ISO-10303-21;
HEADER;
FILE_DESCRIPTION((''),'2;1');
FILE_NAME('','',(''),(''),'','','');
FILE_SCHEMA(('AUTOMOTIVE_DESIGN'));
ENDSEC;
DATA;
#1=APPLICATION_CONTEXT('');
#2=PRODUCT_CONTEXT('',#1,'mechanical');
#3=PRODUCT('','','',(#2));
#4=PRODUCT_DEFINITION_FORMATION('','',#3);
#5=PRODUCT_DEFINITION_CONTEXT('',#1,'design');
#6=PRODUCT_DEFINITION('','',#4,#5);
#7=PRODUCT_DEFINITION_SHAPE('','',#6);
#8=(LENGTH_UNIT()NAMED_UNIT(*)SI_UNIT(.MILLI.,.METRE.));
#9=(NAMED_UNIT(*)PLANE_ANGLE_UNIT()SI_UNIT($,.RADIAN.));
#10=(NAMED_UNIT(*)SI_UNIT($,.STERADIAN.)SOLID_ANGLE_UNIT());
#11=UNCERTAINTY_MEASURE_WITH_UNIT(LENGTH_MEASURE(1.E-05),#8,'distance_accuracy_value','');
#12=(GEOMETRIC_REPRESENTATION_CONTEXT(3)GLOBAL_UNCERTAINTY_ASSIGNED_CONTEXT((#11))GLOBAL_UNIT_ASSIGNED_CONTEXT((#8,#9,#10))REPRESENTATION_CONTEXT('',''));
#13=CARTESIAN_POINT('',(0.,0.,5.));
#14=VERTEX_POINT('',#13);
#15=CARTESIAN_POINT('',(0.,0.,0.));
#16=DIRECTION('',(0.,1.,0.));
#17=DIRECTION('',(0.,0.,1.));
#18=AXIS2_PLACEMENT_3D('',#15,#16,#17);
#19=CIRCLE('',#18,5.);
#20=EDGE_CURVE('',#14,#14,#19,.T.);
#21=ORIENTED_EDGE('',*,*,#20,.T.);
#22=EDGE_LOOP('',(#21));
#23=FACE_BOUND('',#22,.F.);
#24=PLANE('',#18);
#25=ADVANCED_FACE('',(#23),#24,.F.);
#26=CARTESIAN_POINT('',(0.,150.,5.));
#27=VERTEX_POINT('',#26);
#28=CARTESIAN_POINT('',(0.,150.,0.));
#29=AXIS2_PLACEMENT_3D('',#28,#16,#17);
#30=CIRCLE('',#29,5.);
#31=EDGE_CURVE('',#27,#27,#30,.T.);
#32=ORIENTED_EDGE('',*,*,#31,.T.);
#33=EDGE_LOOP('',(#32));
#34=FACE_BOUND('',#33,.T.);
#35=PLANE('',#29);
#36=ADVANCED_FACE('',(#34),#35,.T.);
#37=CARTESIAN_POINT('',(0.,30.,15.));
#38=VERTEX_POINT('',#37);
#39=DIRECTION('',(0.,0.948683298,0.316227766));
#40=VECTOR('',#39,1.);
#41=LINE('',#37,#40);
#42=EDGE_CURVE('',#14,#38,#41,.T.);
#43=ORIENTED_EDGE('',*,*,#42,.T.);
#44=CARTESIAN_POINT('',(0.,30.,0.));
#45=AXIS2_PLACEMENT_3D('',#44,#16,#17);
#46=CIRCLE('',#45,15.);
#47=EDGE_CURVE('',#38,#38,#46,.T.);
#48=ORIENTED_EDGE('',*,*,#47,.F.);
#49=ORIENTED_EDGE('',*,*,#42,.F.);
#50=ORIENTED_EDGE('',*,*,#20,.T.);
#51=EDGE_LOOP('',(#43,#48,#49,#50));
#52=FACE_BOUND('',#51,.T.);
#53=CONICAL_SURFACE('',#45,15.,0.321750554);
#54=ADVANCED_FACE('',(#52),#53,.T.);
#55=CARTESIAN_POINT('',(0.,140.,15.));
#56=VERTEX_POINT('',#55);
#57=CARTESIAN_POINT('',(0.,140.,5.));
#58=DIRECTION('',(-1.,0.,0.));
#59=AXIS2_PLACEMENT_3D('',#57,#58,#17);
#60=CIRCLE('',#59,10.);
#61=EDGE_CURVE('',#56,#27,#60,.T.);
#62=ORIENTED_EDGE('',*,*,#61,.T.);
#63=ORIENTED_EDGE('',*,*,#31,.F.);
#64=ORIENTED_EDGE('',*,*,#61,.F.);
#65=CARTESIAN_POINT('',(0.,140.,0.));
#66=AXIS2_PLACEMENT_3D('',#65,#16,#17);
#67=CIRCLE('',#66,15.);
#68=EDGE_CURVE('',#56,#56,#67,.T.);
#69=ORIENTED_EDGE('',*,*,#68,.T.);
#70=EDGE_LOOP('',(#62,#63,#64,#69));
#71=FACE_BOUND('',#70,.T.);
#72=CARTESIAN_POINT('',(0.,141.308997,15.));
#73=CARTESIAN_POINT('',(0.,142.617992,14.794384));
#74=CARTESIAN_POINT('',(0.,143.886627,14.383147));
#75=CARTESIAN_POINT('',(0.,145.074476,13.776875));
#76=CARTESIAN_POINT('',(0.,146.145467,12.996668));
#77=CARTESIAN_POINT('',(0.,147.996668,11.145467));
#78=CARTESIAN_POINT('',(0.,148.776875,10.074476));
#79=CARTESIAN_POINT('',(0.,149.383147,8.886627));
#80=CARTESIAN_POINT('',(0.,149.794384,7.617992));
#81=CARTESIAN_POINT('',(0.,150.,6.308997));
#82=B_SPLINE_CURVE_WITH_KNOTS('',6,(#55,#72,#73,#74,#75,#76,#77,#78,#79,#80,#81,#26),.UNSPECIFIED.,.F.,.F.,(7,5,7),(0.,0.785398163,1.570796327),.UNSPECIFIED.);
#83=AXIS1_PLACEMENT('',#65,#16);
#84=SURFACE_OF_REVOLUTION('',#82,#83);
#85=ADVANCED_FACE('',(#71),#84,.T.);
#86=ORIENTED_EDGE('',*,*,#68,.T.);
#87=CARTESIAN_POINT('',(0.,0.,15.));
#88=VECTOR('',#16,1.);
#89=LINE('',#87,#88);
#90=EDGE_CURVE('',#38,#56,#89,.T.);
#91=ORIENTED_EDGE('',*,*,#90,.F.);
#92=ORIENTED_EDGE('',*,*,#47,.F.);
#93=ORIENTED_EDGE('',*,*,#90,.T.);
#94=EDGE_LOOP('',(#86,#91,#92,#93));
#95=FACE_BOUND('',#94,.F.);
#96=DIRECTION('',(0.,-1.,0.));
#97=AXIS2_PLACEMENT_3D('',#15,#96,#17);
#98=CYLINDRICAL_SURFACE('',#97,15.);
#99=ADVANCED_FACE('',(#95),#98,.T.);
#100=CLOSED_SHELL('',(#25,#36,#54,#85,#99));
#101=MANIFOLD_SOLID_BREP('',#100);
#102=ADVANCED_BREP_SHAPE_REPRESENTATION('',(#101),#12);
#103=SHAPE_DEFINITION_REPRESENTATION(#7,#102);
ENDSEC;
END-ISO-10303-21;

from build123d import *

# Parameters (mm, degrees)
CROQUIS1_R              = 15
SALIENTE_EXTRUIR1_DEPTH = 150
REDONDEO5_R             = 10
CHAFL_N2_SIZE           = 10
CHAFL_N2_SIZE2          = 30


with BuildPart() as part:
    # Croquis1 → Saliente-Extruir1 (new body)
    with BuildSketch(Plane(origin=(0, 0, 0), x_dir=(1, 0, 0), z_dir=(0, 1, 0))):
        with Locations(Location((0, 0, 0), (0, 0, 270))):
            Circle(CROQUIS1_R)
    extrude(amount=SALIENTE_EXTRUIR1_DEPTH)

    # Redondeo5
    redondeo5_edges = [part.edges().sort_by_distance(p)[0] for p in [
        (0, 150, -15),
    ]]
    fillet(redondeo5_edges, radius=REDONDEO5_R)

    # Chaflán2
    chafl_n2_edges = [part.edges().sort_by_distance(p)[0] for p in [
        (0, 0, -15),
    ]]
    chafl_n2_side = [part.faces().sort_by_distance(p)[0] for p in [
        (0, 0, 0),
    ]]
    chamfer(chafl_n2_edges, length=CHAFL_N2_SIZE, length2=CHAFL_N2_SIZE2, reference=chafl_n2_side[0])


solid = part.part
